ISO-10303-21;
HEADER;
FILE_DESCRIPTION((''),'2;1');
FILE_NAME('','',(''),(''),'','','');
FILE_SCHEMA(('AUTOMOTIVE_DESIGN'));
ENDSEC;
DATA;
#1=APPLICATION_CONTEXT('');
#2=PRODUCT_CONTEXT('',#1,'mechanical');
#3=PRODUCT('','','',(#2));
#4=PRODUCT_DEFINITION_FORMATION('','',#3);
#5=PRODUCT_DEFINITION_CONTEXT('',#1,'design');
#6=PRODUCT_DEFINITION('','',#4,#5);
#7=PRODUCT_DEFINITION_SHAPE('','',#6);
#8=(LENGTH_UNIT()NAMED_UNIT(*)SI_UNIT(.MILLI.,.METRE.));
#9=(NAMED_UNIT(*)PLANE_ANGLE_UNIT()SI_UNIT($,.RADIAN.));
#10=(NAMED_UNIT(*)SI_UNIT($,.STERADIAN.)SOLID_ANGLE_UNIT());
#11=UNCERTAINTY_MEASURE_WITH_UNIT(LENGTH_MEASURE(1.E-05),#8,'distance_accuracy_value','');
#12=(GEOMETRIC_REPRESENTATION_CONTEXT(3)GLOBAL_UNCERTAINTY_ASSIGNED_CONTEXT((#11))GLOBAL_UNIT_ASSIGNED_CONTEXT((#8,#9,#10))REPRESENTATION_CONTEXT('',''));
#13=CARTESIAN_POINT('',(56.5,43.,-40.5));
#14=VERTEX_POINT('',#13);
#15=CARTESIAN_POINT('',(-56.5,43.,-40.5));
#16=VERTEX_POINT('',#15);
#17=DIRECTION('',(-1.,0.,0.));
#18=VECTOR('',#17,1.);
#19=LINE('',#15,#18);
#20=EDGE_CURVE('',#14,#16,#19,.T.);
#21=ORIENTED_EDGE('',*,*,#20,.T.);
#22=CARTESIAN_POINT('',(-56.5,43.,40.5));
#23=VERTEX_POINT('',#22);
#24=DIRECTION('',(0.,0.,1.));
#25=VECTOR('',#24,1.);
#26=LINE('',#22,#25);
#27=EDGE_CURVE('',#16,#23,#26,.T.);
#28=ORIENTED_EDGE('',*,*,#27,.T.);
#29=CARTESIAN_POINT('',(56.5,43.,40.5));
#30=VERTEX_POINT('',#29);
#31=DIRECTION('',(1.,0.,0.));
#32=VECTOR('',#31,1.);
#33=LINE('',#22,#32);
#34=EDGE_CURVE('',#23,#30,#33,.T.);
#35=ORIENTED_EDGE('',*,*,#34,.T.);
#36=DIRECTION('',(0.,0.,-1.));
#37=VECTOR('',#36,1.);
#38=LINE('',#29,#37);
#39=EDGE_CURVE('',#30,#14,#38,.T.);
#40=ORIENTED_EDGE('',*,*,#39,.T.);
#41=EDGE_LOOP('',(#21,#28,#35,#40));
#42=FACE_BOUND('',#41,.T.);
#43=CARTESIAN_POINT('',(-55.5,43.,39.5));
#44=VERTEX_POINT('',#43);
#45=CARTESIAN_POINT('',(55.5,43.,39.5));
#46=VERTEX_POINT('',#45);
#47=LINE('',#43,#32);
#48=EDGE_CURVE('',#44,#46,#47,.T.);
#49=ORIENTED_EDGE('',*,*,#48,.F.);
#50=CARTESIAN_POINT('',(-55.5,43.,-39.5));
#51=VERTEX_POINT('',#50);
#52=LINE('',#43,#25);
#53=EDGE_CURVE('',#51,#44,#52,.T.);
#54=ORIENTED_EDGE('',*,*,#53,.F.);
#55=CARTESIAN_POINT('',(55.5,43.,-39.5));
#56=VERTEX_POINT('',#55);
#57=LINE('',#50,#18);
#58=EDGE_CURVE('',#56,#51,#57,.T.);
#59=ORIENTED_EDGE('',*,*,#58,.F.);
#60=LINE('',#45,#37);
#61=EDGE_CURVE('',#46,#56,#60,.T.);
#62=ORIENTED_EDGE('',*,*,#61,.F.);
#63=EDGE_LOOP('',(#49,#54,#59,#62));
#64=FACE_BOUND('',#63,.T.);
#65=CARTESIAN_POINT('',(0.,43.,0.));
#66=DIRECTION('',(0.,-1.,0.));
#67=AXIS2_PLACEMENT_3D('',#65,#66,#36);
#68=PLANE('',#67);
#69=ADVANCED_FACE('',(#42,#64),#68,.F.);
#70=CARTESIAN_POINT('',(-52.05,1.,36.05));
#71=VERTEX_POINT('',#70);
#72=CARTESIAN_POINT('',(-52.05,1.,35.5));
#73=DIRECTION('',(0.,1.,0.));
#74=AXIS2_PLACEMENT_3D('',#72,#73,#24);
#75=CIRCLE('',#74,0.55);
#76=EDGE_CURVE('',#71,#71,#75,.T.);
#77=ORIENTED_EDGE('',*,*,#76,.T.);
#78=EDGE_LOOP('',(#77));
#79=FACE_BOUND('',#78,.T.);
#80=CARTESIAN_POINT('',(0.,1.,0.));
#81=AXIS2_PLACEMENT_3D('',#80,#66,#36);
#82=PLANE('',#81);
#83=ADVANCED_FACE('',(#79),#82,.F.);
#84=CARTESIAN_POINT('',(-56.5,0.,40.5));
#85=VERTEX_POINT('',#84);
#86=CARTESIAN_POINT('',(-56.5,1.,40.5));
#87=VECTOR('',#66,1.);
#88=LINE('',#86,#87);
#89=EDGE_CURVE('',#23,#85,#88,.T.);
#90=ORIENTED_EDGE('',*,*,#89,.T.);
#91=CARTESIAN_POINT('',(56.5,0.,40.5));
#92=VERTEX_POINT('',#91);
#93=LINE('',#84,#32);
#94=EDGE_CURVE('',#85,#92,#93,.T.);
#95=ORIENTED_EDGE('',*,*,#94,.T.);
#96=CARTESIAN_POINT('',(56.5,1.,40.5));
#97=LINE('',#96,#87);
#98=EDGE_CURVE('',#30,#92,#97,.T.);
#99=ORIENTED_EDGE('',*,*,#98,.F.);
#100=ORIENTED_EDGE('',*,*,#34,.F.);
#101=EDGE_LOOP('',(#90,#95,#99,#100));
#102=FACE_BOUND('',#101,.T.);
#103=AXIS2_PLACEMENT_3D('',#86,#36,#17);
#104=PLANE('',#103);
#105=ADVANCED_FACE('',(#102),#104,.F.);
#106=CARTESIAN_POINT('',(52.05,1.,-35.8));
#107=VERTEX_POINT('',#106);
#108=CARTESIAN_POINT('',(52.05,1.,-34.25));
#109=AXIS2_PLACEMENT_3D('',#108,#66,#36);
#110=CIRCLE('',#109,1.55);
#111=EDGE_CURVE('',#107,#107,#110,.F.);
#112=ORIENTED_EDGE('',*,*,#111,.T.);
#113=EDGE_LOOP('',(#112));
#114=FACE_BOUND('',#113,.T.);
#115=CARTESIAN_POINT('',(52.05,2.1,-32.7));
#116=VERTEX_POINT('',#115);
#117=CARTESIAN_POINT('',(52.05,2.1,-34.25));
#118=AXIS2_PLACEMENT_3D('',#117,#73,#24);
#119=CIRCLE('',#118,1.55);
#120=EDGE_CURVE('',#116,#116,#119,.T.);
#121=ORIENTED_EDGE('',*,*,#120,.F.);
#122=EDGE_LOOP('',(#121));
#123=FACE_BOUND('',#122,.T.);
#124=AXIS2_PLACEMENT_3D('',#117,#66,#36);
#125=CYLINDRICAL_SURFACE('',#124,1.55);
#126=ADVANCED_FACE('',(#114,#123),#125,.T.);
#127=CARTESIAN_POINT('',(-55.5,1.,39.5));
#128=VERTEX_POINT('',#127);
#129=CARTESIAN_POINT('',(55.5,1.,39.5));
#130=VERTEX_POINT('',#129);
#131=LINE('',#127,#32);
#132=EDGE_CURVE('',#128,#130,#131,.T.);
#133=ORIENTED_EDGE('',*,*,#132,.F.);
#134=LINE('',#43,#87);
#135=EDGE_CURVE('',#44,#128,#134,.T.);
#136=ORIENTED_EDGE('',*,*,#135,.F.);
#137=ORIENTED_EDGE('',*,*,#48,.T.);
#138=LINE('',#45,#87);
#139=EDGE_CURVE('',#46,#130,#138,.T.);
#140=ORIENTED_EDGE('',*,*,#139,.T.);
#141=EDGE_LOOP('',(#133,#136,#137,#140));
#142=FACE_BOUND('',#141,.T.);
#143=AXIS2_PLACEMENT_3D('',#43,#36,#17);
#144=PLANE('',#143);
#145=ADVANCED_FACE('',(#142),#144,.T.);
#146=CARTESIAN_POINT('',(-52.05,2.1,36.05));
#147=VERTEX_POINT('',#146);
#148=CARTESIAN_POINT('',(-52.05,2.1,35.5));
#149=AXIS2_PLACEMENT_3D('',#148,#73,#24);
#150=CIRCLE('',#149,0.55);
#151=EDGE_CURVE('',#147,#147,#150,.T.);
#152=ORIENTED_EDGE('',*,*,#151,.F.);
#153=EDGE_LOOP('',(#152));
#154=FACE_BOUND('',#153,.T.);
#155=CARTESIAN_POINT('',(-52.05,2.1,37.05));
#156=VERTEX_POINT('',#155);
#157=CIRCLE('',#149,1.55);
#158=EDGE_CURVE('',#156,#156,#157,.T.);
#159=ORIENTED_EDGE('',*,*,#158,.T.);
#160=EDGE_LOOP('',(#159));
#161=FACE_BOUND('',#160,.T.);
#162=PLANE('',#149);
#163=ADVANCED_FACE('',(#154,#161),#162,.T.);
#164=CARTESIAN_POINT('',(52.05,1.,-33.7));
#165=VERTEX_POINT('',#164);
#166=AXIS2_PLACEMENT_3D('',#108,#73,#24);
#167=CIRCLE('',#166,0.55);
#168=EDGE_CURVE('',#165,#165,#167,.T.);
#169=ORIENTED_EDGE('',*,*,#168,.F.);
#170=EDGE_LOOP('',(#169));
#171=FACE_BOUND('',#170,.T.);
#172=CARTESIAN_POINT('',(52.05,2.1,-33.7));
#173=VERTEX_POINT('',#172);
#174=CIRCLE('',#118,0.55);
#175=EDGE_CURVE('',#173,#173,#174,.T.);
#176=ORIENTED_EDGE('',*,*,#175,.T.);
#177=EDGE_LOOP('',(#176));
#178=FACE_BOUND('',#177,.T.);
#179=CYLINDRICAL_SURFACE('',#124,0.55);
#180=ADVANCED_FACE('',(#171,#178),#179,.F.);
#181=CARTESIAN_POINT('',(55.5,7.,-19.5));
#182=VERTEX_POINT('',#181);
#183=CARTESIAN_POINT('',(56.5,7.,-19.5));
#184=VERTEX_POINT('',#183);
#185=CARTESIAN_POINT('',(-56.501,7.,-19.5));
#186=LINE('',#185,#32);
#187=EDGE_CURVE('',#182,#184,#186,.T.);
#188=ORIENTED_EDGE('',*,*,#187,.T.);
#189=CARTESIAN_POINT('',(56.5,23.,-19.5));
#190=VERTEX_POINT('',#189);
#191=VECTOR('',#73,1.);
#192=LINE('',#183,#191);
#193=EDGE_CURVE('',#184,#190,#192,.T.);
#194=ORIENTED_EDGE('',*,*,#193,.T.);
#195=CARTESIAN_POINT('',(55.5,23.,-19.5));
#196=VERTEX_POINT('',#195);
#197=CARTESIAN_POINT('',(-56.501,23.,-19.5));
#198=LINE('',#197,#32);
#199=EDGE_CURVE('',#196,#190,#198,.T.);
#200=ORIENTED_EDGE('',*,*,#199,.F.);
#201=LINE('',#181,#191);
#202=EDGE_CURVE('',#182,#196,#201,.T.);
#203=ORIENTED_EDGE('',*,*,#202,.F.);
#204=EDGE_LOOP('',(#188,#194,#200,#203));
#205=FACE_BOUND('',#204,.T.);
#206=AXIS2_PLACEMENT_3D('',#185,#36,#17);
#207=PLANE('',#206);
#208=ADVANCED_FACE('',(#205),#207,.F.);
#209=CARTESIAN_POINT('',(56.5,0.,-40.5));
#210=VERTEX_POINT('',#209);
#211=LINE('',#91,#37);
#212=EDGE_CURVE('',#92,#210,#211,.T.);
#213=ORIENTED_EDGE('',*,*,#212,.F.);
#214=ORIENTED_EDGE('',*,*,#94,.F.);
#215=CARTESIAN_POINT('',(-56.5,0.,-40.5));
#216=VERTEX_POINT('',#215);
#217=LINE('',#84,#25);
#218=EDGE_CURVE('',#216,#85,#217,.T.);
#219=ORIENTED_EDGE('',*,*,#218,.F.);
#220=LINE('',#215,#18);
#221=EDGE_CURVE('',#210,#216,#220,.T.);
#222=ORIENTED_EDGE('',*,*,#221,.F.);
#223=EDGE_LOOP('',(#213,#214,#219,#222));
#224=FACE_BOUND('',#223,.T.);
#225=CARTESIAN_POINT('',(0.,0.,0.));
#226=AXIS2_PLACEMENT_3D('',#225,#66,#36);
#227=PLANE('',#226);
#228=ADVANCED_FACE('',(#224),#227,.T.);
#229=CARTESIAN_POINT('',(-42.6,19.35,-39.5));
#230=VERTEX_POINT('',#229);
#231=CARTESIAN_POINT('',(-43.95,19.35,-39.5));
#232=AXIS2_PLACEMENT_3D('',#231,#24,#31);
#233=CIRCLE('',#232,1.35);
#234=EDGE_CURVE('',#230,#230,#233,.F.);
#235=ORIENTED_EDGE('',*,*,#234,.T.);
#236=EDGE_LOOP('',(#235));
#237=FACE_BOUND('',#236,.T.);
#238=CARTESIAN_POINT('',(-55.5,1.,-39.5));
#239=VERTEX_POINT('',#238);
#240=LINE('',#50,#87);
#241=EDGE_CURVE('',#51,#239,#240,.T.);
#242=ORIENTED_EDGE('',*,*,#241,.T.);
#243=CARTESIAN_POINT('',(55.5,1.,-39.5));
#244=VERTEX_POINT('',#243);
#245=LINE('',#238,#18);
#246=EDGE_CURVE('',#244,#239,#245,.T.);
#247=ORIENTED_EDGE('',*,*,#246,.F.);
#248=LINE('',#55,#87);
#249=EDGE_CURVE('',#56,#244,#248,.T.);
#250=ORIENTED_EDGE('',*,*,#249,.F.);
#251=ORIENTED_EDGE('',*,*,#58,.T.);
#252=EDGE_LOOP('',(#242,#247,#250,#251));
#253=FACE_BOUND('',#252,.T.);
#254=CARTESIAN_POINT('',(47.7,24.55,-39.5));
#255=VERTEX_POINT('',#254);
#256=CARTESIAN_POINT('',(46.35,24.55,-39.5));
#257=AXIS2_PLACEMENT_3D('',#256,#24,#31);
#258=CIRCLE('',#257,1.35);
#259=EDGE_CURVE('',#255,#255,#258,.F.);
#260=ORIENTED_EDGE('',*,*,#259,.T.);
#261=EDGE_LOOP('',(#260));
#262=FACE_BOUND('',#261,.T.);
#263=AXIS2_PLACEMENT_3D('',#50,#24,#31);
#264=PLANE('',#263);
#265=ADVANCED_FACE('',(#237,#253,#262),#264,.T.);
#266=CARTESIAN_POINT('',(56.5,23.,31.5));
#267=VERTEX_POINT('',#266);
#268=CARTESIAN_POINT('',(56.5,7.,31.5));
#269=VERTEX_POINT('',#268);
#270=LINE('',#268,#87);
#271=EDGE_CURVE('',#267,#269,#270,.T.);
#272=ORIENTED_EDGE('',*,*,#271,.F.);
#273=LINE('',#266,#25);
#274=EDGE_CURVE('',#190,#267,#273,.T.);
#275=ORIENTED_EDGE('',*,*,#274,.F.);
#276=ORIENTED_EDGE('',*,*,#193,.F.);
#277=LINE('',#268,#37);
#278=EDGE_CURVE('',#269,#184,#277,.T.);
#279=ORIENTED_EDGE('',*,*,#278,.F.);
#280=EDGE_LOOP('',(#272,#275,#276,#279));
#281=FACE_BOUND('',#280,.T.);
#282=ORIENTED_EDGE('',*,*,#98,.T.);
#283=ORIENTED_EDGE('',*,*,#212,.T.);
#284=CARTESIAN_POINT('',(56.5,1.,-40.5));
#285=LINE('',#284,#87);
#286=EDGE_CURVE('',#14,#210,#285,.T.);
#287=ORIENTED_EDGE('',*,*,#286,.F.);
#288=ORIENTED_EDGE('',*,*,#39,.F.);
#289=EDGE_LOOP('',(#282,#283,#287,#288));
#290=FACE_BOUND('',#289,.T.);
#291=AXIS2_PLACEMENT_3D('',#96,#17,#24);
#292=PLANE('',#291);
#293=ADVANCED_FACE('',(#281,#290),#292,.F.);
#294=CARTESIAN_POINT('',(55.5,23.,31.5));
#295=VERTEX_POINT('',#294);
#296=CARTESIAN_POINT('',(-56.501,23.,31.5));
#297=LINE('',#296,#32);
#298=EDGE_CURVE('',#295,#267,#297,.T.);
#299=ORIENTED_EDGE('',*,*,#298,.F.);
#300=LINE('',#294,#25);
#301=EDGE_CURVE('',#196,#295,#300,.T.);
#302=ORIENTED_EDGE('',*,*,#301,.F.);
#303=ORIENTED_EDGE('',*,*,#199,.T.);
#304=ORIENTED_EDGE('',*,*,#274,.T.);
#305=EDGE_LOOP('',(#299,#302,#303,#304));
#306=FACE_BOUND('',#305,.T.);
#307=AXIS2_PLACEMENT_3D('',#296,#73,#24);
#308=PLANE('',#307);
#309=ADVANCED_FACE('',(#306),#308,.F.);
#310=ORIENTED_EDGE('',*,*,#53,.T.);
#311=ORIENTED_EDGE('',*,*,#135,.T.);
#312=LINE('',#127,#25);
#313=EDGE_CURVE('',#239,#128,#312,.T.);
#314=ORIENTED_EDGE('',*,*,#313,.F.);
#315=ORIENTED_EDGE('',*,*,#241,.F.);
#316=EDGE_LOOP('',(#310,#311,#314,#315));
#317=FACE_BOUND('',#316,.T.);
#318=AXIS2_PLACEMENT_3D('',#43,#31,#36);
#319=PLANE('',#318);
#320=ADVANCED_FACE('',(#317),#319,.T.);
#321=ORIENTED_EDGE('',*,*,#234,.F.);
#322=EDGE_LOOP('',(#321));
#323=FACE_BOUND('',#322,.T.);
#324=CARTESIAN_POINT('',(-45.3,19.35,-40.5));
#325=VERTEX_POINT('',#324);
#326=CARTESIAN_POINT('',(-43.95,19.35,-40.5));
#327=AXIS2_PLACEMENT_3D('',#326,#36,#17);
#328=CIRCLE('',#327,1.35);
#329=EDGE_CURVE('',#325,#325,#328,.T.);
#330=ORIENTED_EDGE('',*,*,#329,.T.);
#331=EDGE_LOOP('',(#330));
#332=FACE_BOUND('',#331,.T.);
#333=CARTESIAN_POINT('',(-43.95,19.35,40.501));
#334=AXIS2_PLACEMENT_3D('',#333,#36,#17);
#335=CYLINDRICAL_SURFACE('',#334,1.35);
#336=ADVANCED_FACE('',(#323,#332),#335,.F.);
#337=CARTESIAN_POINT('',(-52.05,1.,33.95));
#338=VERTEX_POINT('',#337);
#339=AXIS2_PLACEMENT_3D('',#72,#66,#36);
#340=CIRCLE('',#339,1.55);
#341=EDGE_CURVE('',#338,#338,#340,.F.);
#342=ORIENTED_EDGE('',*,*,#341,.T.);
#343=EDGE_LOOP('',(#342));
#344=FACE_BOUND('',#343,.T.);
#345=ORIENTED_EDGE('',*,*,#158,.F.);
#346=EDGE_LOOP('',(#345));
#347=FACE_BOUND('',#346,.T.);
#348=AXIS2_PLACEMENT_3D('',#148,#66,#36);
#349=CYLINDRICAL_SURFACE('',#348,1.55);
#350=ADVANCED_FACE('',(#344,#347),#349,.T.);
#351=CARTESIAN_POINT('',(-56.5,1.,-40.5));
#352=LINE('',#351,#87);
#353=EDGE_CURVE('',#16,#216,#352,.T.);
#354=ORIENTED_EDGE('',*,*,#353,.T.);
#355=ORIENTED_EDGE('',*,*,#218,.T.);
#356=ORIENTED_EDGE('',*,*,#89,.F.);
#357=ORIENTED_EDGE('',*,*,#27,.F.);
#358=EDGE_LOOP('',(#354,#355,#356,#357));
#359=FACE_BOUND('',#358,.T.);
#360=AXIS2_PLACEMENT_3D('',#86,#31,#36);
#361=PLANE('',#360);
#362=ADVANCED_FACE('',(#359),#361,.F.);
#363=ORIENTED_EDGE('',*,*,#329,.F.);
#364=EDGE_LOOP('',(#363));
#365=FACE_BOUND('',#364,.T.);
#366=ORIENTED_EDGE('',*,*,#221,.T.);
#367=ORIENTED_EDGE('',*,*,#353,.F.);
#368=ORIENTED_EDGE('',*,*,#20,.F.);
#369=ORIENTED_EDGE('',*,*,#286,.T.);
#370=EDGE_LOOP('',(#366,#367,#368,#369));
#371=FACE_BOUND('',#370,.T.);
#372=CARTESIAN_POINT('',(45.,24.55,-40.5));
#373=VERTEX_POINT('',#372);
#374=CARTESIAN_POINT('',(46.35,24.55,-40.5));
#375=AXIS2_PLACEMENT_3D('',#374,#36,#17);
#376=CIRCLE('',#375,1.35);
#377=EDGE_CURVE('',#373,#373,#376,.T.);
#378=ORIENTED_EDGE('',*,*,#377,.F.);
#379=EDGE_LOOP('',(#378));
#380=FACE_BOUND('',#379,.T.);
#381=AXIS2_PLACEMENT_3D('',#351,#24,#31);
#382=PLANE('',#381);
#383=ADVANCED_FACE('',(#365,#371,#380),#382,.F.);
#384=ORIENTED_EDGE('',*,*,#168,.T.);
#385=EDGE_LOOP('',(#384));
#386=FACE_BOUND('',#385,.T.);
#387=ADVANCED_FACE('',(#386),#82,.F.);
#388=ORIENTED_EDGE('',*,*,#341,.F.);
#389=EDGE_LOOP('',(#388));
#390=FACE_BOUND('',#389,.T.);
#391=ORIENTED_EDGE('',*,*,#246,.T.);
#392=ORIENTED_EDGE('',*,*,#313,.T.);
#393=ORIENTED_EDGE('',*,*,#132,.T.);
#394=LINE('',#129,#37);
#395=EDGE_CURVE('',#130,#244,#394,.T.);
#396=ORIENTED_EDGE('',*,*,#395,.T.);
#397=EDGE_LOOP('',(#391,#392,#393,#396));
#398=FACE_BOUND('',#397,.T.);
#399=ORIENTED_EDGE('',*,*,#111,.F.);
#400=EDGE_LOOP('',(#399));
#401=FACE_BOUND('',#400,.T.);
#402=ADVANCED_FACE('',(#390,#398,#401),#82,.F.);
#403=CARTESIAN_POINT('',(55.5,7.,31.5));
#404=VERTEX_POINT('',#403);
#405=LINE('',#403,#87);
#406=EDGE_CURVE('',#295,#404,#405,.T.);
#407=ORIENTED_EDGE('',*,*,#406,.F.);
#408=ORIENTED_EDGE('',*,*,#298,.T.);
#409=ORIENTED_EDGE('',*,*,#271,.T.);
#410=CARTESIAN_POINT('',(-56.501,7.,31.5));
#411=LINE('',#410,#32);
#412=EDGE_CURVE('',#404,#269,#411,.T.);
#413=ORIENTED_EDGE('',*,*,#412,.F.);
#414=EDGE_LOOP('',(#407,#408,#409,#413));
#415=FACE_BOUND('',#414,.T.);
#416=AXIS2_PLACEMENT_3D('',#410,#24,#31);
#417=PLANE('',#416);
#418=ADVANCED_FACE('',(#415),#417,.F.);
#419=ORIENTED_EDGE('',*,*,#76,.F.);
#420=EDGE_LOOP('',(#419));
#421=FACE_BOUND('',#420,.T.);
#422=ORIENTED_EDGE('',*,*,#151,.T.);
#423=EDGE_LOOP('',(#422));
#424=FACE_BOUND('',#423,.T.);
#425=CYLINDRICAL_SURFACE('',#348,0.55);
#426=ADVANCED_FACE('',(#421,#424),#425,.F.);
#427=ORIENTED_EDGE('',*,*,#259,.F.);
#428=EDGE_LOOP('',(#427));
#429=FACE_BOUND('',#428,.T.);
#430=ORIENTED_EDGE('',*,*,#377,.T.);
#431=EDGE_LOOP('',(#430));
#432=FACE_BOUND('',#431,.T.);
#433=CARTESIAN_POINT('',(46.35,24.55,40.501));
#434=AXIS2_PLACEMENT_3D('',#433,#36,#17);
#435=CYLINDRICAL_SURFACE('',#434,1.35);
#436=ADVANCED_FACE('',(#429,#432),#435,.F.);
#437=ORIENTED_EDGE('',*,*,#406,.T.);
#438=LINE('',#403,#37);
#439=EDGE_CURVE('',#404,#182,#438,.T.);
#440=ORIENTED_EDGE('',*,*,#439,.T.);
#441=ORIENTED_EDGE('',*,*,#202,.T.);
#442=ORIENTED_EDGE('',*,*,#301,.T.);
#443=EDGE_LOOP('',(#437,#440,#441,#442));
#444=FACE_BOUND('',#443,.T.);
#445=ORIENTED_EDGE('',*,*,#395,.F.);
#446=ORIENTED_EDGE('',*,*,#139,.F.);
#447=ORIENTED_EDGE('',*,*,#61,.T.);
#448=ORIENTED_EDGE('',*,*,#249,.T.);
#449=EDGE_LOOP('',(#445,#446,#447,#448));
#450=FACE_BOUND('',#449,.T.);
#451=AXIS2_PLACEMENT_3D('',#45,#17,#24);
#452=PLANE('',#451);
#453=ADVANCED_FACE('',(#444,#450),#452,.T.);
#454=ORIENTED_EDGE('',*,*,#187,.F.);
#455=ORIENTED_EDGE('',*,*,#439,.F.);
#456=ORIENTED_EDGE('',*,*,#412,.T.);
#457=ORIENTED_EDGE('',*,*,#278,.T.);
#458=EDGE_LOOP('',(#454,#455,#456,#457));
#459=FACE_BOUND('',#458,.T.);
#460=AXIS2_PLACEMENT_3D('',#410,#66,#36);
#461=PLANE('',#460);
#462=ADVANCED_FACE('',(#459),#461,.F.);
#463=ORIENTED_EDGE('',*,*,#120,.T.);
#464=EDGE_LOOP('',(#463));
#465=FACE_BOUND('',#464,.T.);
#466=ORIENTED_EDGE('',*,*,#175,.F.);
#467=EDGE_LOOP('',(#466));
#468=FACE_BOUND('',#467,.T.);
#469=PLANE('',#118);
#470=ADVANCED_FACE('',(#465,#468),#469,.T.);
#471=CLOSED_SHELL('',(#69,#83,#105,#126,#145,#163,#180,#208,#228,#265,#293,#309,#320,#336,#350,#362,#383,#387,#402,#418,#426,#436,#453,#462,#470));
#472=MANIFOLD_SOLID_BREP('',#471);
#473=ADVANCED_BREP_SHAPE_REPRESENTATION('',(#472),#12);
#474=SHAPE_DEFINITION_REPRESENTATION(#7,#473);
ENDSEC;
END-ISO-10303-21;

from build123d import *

# Parameters (mm, degrees)
SKETCH1_W           = 113
SKETCH1_H           = 81
BOSS_EXTRUDE1_DEPTH = 1
SKETCH2_W           = 113
SKETCH2_H           = 81
SKETCH2_W_2         = 111
SKETCH2_H_2         = 79
BOSS_EXTRUDE3_DEPTH = 42
CUT_EXTRUDE2_REACH  = 129.508
SKETCH3_W           = 51
SKETCH3_H           = 16
SKETCH4_R           = 1.55
SKETCH4_R_2         = 0.55
BOSS_EXTRUDE4_DEPTH = 1.1
CUT_EXTRUDE3_REACH  = 109.714
SKETCH6_R           = 1.35


with BuildPart() as part:
    # Sketch1 → Boss-Extrude1 (new body)
    with BuildSketch(Plane(origin=(0, 0, 0), x_dir=(1, 0, 0), z_dir=(0, 1, 0))):
        Rectangle(SKETCH1_W, SKETCH1_H)
    extrude(amount=BOSS_EXTRUDE1_DEPTH)

    # Sketch2 → Boss-Extrude3 (add)
    with BuildSketch(Plane(origin=(0, 1, 0), x_dir=(1, 0, 0), z_dir=(0, 1, 0))):
        Rectangle(SKETCH2_W, SKETCH2_H)
        Rectangle(SKETCH2_W_2, SKETCH2_H_2, mode=Mode.SUBTRACT)
    extrude(amount=BOSS_EXTRUDE3_DEPTH)

    # Sketch3 → Cut-Extrude2 (cut, up to next)
    with BuildSketch(Plane(origin=(56.5, 0, 0), x_dir=(0, 0, -1), z_dir=(1, 0, 0)), mode=Mode.PRIVATE) as cut_extrude2_sk1:
        with Locations((-6, 15)):
            Rectangle(SKETCH3_W, SKETCH3_H)
    cut_extrude2_tool1 = extrude(cut_extrude2_sk1.sketch, amount=-CUT_EXTRUDE2_REACH, mode=Mode.PRIVATE) & part.part
    add(cut_extrude2_tool1.solids().sort_by_distance((56.5, 15, 6))[0], mode=Mode.SUBTRACT)

    # Sketch4 → Boss-Extrude4 (add)
    # profile 1 of 2: a face of its own
    with BuildSketch(Plane(origin=(0, 1, 0), x_dir=(1, 0, 0), z_dir=(0, 1, 0))):
        with Locations(Location((52.05, 34.25, 0), (0, 0, 90))):
            Circle(SKETCH4_R)
        with Locations(Location((52.05, 34.25, 0), (0, 0, 270))):
            Circle(SKETCH4_R_2, mode=Mode.SUBTRACT)
    # profile 2 of 2: a face of its own
    with BuildSketch(Plane(origin=(0, 1, 0), x_dir=(1, 0, 0), z_dir=(0, 1, 0))):
        with Locations(Location((-52.05, -35.5, 0), (0, 0, 90))):
            Circle(SKETCH4_R)
        with Locations(Location((-52.05, -35.5, 0), (0, 0, 270))):
            Circle(SKETCH4_R_2, mode=Mode.SUBTRACT)
    extrude(amount=BOSS_EXTRUDE4_DEPTH)

    # Sketch6 → Cut-Extrude3 (cut, up to next)
    with BuildSketch(Plane(origin=(0, 0, -40.5), x_dir=(-1, 0, 0), z_dir=(0, 0, -1)), mode=Mode.PRIVATE) as cut_extrude3_sk1:
        with Locations((-46.35, 24.55)):
            Circle(SKETCH6_R)
    cut_extrude3_tool1 = extrude(cut_extrude3_sk1.sketch, amount=-CUT_EXTRUDE3_REACH, mode=Mode.PRIVATE) & part.part
    # Sketch6 → Cut-Extrude3 (cut, up to next)
    with BuildSketch(Plane(origin=(0, 0, -40.5), x_dir=(-1, 0, 0), z_dir=(0, 0, -1)), mode=Mode.PRIVATE) as cut_extrude3_sk2:
        with Locations((43.95, 19.35)):
            Circle(SKETCH6_R)
    cut_extrude3_tool2 = extrude(cut_extrude3_sk2.sketch, amount=-CUT_EXTRUDE3_REACH, mode=Mode.PRIVATE) & part.part
    add(cut_extrude3_tool1.solids().sort_by_distance((46.35, 24.55, -40.5))[0], mode=Mode.SUBTRACT)
    add(cut_extrude3_tool2.solids().sort_by_distance((-43.95, 19.35, -40.5))[0], mode=Mode.SUBTRACT)


solid = part.part
